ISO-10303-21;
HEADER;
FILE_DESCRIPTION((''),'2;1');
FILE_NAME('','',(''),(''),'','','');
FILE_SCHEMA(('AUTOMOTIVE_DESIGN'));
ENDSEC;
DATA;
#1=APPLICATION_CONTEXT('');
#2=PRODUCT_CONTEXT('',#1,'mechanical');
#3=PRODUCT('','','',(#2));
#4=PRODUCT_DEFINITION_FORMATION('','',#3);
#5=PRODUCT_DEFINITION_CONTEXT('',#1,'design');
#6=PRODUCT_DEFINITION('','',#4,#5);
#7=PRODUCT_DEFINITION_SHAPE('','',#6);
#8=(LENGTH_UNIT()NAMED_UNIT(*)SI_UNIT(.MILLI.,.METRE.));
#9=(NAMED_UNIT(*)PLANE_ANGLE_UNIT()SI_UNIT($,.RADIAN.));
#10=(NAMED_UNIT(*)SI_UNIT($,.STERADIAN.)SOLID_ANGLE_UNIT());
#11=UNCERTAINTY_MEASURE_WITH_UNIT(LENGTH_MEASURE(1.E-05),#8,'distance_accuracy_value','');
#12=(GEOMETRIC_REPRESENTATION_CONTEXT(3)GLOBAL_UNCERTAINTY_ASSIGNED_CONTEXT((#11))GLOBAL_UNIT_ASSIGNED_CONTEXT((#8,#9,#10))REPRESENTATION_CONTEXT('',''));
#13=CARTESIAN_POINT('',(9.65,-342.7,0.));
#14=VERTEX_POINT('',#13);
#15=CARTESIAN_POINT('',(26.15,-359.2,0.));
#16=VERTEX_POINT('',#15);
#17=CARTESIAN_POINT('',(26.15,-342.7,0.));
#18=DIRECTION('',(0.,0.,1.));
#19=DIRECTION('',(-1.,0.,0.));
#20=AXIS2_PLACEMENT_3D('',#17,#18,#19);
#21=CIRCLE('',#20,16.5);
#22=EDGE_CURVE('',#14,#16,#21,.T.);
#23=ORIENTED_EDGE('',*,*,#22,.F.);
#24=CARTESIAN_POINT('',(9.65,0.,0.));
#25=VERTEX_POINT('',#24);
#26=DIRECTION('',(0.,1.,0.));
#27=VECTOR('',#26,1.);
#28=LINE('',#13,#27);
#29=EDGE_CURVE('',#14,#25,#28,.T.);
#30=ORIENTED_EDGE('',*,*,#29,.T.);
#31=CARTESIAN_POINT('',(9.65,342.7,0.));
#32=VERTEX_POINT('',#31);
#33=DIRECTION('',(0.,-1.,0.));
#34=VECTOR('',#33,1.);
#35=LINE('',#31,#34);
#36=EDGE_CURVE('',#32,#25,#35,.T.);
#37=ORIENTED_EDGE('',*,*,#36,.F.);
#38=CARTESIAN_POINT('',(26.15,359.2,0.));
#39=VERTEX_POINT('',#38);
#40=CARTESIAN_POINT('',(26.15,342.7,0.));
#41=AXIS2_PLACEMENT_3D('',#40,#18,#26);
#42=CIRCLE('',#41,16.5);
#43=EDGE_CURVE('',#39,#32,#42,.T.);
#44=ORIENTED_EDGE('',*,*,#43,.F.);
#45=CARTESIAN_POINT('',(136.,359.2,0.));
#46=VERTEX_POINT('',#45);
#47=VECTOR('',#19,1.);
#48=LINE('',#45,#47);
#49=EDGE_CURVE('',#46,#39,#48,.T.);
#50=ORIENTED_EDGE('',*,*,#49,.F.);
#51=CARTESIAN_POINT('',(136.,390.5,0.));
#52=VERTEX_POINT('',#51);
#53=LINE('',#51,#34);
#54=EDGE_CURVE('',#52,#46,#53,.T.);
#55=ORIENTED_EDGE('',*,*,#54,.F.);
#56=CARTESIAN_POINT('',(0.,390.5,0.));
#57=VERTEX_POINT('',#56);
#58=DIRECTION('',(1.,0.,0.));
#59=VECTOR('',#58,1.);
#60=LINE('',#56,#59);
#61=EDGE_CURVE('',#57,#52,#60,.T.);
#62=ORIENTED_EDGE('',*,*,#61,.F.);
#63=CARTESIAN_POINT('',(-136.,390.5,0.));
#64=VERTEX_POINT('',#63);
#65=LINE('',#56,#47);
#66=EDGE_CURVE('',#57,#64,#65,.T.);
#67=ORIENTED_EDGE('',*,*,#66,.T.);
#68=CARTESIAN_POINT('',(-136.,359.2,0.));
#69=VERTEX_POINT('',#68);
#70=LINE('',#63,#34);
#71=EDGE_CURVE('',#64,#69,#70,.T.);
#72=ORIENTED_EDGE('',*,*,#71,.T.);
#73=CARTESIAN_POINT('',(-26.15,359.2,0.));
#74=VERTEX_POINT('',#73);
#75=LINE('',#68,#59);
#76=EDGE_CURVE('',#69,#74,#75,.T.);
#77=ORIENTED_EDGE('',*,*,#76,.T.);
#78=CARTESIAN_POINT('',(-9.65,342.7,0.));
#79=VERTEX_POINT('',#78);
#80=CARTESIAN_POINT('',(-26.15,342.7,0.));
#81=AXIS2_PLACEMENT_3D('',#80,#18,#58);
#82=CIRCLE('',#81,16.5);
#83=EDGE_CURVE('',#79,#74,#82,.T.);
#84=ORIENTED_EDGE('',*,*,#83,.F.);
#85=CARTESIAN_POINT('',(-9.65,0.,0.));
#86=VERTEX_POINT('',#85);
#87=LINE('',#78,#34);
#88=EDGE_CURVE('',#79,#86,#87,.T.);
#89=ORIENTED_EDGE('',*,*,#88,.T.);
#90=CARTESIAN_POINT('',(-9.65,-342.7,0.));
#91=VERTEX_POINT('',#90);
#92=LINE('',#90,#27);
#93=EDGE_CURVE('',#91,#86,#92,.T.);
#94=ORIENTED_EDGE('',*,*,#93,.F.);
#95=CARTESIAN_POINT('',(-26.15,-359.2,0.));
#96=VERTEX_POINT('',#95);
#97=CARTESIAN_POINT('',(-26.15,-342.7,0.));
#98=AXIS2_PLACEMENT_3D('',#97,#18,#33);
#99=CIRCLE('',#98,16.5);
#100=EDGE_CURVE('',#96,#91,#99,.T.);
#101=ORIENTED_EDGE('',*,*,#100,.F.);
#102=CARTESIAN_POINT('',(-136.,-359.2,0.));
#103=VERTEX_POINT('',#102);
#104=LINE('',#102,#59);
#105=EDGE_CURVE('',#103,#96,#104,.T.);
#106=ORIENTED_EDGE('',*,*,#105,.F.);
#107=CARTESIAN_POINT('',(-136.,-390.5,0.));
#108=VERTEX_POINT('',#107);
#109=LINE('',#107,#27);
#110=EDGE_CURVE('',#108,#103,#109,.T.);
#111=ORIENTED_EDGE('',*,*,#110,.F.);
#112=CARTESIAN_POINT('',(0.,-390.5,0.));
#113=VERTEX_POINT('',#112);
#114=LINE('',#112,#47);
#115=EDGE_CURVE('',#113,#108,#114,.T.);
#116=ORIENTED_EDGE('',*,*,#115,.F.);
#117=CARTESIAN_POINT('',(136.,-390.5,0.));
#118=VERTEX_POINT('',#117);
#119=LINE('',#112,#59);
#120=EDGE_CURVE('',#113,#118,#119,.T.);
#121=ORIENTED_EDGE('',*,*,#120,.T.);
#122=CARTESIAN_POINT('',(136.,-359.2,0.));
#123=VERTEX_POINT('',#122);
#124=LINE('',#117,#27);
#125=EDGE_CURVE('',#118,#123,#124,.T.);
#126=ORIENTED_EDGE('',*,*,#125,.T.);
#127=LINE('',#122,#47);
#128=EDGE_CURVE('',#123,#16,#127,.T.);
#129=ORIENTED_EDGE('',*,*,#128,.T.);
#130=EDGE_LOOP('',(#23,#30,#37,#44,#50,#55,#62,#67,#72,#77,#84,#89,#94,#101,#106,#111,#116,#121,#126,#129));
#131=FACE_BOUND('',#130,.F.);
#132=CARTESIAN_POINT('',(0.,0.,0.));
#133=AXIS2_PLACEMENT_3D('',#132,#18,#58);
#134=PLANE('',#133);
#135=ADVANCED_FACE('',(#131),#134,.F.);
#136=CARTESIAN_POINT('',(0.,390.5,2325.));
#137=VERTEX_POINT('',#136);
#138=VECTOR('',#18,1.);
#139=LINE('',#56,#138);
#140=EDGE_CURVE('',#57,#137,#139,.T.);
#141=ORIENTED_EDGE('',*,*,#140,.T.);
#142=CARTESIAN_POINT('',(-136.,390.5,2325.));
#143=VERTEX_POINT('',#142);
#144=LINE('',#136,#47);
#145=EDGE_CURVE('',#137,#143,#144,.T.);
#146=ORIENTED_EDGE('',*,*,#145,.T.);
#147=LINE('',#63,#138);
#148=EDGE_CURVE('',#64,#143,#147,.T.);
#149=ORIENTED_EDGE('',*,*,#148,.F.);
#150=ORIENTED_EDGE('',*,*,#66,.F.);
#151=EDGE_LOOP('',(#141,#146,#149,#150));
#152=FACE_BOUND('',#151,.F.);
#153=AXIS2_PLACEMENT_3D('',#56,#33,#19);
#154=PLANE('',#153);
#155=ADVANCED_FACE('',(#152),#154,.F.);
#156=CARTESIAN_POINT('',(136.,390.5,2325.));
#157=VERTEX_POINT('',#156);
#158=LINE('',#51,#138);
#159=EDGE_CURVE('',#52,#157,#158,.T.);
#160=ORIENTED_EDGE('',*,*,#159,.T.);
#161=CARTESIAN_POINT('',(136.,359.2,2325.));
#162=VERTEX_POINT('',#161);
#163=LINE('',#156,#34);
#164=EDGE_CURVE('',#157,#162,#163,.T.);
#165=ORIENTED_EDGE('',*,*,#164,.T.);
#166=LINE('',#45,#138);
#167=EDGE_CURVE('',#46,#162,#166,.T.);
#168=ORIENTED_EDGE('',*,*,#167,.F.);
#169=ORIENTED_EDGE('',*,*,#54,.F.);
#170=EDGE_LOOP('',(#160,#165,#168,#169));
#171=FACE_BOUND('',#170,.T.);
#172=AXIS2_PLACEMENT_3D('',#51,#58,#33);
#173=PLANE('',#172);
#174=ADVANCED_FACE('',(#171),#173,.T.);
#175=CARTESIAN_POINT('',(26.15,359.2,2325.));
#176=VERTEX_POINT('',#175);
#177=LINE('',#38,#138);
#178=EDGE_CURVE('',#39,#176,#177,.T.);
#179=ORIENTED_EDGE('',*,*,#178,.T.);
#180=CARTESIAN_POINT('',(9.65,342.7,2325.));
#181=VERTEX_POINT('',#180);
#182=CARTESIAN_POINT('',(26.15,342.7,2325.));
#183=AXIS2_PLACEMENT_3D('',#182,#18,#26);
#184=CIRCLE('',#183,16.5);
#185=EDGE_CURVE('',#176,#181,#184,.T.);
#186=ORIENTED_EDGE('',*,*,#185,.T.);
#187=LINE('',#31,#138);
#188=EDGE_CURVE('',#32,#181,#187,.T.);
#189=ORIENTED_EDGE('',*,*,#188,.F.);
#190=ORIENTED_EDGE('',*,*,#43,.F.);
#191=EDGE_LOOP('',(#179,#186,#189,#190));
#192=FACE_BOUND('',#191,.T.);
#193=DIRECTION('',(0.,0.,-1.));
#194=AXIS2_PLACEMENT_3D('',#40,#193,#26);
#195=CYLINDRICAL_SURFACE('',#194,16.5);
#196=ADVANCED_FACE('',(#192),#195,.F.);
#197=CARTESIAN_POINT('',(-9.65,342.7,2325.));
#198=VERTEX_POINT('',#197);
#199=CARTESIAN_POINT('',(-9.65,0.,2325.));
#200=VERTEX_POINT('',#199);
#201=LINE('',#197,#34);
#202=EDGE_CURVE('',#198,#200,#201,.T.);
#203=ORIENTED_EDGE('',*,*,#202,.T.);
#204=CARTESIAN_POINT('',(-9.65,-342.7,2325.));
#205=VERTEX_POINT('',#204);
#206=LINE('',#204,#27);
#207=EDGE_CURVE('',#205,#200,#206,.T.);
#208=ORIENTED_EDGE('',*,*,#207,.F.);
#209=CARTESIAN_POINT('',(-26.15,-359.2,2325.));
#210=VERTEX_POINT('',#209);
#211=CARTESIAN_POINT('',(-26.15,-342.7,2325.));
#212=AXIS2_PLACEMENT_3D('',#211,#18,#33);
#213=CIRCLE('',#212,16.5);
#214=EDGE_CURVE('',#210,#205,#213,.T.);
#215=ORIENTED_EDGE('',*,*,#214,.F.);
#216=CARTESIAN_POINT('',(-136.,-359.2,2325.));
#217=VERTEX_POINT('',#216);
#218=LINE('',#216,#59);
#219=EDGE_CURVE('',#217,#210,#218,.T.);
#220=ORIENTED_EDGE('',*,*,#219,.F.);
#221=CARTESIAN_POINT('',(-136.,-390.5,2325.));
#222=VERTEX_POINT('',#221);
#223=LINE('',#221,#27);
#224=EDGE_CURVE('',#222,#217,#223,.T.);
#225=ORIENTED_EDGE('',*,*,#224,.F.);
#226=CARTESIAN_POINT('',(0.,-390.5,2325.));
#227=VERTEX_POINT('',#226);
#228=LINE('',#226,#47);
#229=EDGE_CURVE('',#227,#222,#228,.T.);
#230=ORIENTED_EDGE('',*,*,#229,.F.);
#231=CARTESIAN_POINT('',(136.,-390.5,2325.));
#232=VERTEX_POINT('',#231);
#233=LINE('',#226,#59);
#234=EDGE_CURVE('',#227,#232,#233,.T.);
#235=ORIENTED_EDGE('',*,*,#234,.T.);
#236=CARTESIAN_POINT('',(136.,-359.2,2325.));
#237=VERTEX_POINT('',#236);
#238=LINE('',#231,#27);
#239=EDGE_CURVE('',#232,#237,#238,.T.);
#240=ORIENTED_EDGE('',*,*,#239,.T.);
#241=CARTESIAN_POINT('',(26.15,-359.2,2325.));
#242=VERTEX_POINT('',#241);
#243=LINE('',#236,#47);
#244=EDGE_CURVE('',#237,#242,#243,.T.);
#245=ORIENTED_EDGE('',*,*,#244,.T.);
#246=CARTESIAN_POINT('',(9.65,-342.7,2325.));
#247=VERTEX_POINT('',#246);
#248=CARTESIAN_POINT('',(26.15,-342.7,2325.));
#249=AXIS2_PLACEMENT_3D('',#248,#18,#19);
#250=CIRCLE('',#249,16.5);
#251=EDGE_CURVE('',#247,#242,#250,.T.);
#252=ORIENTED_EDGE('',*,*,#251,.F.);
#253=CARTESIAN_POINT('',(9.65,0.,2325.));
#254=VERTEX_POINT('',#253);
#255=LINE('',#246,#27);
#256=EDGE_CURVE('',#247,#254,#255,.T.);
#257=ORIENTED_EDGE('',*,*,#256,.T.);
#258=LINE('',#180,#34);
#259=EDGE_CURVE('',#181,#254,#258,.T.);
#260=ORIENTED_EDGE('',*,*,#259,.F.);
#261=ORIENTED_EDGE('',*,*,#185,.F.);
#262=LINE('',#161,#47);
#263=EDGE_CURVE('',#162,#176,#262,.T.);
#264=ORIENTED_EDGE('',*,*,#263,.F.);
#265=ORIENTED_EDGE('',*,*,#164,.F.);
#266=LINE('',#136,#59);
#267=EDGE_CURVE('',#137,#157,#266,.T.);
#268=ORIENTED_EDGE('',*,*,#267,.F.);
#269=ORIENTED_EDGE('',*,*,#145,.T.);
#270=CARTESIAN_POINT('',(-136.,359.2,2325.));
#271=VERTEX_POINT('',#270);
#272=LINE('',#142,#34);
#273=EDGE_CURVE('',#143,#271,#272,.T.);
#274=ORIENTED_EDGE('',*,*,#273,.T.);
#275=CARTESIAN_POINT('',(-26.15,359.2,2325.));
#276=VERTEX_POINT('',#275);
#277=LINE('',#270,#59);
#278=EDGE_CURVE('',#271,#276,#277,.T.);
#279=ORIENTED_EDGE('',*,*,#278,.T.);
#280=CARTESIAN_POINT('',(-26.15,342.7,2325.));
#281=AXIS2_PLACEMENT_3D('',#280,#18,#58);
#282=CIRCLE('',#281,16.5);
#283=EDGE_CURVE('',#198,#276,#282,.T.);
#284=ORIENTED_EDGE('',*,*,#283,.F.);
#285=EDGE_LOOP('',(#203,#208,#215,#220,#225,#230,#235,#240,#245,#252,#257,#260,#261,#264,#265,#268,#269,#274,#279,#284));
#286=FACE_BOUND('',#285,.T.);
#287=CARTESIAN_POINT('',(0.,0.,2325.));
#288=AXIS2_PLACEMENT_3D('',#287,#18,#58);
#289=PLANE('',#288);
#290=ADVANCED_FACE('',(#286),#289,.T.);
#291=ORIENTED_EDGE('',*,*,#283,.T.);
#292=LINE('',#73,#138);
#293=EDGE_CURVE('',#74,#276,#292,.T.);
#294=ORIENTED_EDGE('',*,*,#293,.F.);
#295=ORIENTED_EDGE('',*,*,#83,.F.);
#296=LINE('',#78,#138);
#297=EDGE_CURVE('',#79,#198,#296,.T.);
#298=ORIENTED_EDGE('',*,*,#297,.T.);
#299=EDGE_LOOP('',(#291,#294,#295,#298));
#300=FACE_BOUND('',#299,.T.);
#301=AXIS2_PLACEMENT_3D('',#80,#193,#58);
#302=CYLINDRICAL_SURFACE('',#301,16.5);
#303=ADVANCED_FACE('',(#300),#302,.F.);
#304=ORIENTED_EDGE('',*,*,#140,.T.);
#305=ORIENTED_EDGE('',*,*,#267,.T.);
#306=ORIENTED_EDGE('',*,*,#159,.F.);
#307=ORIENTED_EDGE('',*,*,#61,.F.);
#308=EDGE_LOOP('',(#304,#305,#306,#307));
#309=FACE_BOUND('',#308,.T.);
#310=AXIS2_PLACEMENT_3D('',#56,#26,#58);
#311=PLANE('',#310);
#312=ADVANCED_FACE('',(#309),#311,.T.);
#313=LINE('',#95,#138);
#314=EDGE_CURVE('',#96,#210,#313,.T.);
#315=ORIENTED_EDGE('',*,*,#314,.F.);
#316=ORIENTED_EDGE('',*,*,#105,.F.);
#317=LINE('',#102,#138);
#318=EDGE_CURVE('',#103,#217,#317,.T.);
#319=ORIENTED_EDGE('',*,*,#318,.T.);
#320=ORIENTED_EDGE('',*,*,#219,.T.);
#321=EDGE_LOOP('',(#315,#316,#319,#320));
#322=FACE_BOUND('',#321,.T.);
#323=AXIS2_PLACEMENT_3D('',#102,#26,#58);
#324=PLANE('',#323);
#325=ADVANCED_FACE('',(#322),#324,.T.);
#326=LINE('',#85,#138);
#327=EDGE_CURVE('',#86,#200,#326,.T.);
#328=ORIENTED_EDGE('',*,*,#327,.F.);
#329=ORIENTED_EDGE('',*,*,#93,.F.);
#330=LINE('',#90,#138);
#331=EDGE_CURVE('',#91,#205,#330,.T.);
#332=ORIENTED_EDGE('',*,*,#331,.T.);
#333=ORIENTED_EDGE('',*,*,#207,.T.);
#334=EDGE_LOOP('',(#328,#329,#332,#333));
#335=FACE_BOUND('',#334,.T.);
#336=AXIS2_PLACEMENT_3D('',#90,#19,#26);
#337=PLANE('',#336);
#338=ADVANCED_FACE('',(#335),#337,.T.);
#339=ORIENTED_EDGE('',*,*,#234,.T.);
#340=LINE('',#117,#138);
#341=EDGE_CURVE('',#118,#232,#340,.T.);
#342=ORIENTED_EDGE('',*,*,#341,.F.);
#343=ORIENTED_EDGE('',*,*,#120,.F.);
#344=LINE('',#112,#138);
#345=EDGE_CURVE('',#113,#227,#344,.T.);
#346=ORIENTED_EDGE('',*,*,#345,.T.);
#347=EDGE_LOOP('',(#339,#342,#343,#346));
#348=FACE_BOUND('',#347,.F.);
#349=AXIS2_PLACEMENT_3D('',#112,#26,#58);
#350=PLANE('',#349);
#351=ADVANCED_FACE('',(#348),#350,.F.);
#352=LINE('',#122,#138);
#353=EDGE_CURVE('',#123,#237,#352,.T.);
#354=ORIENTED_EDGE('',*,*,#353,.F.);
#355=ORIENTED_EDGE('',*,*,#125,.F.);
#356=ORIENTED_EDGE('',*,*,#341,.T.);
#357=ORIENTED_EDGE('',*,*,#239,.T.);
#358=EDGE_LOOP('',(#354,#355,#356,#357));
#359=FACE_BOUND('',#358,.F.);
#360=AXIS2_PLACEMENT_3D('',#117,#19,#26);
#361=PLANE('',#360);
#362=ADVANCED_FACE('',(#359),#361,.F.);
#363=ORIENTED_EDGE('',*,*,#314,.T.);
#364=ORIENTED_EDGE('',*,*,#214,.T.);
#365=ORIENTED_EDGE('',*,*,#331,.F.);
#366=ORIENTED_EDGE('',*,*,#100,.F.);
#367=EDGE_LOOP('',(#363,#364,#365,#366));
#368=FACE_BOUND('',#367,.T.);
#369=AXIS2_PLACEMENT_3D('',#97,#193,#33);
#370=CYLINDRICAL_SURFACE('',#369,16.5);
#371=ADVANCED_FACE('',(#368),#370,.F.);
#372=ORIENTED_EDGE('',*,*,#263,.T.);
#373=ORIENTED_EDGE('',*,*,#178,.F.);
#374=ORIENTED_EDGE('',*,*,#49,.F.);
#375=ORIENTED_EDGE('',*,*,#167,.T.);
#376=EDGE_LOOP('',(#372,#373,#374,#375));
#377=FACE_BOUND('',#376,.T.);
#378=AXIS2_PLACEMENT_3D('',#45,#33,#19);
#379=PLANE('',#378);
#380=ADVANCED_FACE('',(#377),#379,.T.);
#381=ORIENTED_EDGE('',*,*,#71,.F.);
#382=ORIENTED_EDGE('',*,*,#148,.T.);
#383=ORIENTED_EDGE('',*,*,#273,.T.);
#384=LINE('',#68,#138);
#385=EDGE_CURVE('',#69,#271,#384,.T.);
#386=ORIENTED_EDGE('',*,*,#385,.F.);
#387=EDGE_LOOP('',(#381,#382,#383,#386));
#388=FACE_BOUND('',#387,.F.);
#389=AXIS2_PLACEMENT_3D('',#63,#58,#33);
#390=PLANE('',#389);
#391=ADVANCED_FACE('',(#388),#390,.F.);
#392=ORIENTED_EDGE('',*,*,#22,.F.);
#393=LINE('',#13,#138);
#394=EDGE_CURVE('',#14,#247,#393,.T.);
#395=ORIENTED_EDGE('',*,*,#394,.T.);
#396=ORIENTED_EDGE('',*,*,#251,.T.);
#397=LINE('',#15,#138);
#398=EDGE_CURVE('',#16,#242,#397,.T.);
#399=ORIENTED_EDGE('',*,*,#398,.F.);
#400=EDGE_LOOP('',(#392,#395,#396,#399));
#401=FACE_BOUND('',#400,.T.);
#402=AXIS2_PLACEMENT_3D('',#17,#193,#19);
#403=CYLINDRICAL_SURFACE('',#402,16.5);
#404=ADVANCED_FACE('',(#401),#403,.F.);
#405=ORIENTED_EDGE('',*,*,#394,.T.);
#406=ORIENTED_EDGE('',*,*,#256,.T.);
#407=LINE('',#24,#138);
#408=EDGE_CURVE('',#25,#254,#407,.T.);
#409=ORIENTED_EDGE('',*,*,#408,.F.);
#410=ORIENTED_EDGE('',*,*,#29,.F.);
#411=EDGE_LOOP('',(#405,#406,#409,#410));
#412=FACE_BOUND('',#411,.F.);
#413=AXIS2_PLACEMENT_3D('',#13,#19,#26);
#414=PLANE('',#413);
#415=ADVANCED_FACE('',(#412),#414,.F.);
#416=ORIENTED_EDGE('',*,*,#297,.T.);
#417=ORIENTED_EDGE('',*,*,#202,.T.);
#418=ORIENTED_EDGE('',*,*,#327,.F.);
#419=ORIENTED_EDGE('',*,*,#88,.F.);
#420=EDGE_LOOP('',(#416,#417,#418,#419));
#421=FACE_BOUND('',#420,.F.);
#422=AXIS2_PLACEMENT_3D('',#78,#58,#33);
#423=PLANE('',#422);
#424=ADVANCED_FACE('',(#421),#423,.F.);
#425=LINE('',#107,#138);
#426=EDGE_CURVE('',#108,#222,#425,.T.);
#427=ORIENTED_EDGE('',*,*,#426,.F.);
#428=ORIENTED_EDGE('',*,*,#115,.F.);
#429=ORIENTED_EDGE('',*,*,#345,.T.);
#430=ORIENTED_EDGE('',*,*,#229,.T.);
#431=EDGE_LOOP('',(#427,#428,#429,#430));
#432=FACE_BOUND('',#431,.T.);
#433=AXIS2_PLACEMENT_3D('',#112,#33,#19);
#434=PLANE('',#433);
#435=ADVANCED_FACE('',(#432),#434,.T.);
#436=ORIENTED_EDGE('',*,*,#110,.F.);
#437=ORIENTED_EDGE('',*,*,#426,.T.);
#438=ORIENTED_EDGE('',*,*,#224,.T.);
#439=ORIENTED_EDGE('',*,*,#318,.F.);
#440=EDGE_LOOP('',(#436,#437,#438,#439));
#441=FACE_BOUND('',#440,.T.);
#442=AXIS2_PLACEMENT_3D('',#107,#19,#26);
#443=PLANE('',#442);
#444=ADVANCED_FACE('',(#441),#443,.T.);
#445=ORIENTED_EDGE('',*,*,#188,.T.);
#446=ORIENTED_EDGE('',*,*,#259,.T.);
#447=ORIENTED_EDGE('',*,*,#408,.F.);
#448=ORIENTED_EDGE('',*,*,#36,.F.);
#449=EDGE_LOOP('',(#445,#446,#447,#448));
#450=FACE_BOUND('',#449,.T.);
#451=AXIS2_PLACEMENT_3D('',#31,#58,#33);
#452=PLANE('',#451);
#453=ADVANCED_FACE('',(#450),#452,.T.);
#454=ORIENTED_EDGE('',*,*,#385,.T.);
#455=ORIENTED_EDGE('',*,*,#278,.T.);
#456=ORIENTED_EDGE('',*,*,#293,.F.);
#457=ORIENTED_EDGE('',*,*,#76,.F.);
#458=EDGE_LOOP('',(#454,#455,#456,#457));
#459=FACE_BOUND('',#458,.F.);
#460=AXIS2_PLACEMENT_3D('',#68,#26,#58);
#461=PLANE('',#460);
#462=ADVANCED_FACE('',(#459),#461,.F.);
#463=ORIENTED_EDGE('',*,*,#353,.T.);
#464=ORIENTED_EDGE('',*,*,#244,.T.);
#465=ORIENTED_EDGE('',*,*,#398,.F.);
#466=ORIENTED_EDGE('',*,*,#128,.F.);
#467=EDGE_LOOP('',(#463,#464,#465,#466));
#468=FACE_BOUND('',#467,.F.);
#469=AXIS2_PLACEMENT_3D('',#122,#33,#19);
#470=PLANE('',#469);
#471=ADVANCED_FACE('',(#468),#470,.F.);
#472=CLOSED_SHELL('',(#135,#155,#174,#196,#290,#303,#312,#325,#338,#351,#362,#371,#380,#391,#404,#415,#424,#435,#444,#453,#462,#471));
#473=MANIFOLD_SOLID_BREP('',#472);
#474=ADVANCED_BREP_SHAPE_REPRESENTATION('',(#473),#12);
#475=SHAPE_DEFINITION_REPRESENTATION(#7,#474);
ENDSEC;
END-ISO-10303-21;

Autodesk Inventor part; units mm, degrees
ref_plane "YZ Plane" through (0, 0, 0) normal (1, 0, 0) x (0, 1, 0)
ref_plane "Start plane" through (0, 0, 0) normal (0, 0, 1) x (1, 0, 0)
ref_plane "End plane" through (0, 0, 2325) normal (0, 0, 1) x (1, 0, 0)
sketch "Sketch" plane through (0, 0, 0) normal (0, 0, 1) x (1, 0, 0)
  line L0 (-136, -390.5) -> (-136, -359.2)
  line L1 (-136, -359.2) -> (-26.15, -359.2)
  line L2 (-9.65, -342.7) -> (-9.65, 0)
  line L3 (-9.65, 0) -> (0, 0) construction
  line L4 (0, 0) -> (0, -390.5) construction
  line L5 (0, -390.5) -> (-136, -390.5)
  line L6 (-60, 0) -> (80, 0) construction
  line L7 (0, -60) -> (0, 80) construction
  line L8 (136, -390.5) -> (136, -359.2)
  line L9 (136, -359.2) -> (26.15, -359.2)
  line L10 (9.65, -342.7) -> (9.65, 0)
  line L11 (9.65, 0) -> (0, 0) construction
  line L12 (0, -390.5) -> (136, -390.5)
  line L13 (-136, 390.5) -> (-136, 359.2)
  line L14 (-136, 359.2) -> (-26.15, 359.2)
  line L15 (-9.65, 342.7) -> (-9.65, 0)
  line L16 (0, 390.5) -> (-136, 390.5)
  line L17 (136, 390.5) -> (136, 359.2)
  line L18 (136, 359.2) -> (26.15, 359.2)
  line L19 (0, 390.5) -> (136, 390.5)
  line L20 (9.65, 342.7) -> (9.65, 0)
  arc A0 (-9.65, 342.7) -> (-26.15, 359.2) centre (-26.15, 342.7) ccw
  arc A1 (26.15, 359.2) -> (9.65, 342.7) centre (26.15, 342.7) ccw
  arc A2 (9.65, -342.7) -> (26.15, -359.2) centre (26.15, -342.7) ccw
  arc A3 (-26.15, -359.2) -> (-9.65, -342.7) centre (-26.15, -342.7) ccw
  line L21 (0, 108) -> (0, -88) construction
  line L22 (-88, 0) -> (108, 0) construction
  point P0 (-9.65, -359.2)
  point P1 (9.65, -359.2)
  point P2 (-9.65, 359.2)
  point P3 (9.65, 359.2)
  dimension "d1" = 390.5
  dimension "d2" = 31.3
  dimension "d3" = 136
  dimension "d4" = 9.65
  dimension "d10" = 16.5
extrude "Body" add sketch "Sketch" along normal up to surface (2325 mm away) from surface at 0
sketch "Sketch4" plane through (0, 0, 0) normal (0, 0, 1) x (1, 0, 0)
  line L0 (0, 0) -> (10, 0)
ref_plane "Work Plane3" through (0, 0, 0) normal (0, -1, 0) x (1, 0, 0)
sketch "Sketch5" plane through (0, 0, 0) normal (0, -1, 0) x (1, 0, 0)
  line L0 (-2, 0) -> (12, 0) projected
  line L1 (-2, 2325) -> (12, 2325) projected
  dimension "d14" = 2325
equation "\"d1\" = 0.5 * G_H"
equation "\"d2\" = G_T1"
equation "\"d3\" = 0.5 * G_W"
equation "\"d4\" = 0.5 * G_T"
equation "\"d10\" = G_IR"
equation "\"d5\" = G_L"
equation "\"G_W\" = 272"
equation "\"G_H\" = 781"
equation "\"G_T\" = 19.3"
equation "\"G_T1\" = 31.3"
equation "\"G_IR\" = 16.5"
equation "\"G_L\" = d14"
equation "\"G_OFFSET_START\" = 0"
equation "\"G_OFFSET_END\" = 0"
equation "\"d12\" = G_OFFSET_END + B_L"
equation "\"B_L\" = 2325"
properties part number "AS 3679-1990 - 760 UB - 244 - 2325" material "Steel, Mild"
